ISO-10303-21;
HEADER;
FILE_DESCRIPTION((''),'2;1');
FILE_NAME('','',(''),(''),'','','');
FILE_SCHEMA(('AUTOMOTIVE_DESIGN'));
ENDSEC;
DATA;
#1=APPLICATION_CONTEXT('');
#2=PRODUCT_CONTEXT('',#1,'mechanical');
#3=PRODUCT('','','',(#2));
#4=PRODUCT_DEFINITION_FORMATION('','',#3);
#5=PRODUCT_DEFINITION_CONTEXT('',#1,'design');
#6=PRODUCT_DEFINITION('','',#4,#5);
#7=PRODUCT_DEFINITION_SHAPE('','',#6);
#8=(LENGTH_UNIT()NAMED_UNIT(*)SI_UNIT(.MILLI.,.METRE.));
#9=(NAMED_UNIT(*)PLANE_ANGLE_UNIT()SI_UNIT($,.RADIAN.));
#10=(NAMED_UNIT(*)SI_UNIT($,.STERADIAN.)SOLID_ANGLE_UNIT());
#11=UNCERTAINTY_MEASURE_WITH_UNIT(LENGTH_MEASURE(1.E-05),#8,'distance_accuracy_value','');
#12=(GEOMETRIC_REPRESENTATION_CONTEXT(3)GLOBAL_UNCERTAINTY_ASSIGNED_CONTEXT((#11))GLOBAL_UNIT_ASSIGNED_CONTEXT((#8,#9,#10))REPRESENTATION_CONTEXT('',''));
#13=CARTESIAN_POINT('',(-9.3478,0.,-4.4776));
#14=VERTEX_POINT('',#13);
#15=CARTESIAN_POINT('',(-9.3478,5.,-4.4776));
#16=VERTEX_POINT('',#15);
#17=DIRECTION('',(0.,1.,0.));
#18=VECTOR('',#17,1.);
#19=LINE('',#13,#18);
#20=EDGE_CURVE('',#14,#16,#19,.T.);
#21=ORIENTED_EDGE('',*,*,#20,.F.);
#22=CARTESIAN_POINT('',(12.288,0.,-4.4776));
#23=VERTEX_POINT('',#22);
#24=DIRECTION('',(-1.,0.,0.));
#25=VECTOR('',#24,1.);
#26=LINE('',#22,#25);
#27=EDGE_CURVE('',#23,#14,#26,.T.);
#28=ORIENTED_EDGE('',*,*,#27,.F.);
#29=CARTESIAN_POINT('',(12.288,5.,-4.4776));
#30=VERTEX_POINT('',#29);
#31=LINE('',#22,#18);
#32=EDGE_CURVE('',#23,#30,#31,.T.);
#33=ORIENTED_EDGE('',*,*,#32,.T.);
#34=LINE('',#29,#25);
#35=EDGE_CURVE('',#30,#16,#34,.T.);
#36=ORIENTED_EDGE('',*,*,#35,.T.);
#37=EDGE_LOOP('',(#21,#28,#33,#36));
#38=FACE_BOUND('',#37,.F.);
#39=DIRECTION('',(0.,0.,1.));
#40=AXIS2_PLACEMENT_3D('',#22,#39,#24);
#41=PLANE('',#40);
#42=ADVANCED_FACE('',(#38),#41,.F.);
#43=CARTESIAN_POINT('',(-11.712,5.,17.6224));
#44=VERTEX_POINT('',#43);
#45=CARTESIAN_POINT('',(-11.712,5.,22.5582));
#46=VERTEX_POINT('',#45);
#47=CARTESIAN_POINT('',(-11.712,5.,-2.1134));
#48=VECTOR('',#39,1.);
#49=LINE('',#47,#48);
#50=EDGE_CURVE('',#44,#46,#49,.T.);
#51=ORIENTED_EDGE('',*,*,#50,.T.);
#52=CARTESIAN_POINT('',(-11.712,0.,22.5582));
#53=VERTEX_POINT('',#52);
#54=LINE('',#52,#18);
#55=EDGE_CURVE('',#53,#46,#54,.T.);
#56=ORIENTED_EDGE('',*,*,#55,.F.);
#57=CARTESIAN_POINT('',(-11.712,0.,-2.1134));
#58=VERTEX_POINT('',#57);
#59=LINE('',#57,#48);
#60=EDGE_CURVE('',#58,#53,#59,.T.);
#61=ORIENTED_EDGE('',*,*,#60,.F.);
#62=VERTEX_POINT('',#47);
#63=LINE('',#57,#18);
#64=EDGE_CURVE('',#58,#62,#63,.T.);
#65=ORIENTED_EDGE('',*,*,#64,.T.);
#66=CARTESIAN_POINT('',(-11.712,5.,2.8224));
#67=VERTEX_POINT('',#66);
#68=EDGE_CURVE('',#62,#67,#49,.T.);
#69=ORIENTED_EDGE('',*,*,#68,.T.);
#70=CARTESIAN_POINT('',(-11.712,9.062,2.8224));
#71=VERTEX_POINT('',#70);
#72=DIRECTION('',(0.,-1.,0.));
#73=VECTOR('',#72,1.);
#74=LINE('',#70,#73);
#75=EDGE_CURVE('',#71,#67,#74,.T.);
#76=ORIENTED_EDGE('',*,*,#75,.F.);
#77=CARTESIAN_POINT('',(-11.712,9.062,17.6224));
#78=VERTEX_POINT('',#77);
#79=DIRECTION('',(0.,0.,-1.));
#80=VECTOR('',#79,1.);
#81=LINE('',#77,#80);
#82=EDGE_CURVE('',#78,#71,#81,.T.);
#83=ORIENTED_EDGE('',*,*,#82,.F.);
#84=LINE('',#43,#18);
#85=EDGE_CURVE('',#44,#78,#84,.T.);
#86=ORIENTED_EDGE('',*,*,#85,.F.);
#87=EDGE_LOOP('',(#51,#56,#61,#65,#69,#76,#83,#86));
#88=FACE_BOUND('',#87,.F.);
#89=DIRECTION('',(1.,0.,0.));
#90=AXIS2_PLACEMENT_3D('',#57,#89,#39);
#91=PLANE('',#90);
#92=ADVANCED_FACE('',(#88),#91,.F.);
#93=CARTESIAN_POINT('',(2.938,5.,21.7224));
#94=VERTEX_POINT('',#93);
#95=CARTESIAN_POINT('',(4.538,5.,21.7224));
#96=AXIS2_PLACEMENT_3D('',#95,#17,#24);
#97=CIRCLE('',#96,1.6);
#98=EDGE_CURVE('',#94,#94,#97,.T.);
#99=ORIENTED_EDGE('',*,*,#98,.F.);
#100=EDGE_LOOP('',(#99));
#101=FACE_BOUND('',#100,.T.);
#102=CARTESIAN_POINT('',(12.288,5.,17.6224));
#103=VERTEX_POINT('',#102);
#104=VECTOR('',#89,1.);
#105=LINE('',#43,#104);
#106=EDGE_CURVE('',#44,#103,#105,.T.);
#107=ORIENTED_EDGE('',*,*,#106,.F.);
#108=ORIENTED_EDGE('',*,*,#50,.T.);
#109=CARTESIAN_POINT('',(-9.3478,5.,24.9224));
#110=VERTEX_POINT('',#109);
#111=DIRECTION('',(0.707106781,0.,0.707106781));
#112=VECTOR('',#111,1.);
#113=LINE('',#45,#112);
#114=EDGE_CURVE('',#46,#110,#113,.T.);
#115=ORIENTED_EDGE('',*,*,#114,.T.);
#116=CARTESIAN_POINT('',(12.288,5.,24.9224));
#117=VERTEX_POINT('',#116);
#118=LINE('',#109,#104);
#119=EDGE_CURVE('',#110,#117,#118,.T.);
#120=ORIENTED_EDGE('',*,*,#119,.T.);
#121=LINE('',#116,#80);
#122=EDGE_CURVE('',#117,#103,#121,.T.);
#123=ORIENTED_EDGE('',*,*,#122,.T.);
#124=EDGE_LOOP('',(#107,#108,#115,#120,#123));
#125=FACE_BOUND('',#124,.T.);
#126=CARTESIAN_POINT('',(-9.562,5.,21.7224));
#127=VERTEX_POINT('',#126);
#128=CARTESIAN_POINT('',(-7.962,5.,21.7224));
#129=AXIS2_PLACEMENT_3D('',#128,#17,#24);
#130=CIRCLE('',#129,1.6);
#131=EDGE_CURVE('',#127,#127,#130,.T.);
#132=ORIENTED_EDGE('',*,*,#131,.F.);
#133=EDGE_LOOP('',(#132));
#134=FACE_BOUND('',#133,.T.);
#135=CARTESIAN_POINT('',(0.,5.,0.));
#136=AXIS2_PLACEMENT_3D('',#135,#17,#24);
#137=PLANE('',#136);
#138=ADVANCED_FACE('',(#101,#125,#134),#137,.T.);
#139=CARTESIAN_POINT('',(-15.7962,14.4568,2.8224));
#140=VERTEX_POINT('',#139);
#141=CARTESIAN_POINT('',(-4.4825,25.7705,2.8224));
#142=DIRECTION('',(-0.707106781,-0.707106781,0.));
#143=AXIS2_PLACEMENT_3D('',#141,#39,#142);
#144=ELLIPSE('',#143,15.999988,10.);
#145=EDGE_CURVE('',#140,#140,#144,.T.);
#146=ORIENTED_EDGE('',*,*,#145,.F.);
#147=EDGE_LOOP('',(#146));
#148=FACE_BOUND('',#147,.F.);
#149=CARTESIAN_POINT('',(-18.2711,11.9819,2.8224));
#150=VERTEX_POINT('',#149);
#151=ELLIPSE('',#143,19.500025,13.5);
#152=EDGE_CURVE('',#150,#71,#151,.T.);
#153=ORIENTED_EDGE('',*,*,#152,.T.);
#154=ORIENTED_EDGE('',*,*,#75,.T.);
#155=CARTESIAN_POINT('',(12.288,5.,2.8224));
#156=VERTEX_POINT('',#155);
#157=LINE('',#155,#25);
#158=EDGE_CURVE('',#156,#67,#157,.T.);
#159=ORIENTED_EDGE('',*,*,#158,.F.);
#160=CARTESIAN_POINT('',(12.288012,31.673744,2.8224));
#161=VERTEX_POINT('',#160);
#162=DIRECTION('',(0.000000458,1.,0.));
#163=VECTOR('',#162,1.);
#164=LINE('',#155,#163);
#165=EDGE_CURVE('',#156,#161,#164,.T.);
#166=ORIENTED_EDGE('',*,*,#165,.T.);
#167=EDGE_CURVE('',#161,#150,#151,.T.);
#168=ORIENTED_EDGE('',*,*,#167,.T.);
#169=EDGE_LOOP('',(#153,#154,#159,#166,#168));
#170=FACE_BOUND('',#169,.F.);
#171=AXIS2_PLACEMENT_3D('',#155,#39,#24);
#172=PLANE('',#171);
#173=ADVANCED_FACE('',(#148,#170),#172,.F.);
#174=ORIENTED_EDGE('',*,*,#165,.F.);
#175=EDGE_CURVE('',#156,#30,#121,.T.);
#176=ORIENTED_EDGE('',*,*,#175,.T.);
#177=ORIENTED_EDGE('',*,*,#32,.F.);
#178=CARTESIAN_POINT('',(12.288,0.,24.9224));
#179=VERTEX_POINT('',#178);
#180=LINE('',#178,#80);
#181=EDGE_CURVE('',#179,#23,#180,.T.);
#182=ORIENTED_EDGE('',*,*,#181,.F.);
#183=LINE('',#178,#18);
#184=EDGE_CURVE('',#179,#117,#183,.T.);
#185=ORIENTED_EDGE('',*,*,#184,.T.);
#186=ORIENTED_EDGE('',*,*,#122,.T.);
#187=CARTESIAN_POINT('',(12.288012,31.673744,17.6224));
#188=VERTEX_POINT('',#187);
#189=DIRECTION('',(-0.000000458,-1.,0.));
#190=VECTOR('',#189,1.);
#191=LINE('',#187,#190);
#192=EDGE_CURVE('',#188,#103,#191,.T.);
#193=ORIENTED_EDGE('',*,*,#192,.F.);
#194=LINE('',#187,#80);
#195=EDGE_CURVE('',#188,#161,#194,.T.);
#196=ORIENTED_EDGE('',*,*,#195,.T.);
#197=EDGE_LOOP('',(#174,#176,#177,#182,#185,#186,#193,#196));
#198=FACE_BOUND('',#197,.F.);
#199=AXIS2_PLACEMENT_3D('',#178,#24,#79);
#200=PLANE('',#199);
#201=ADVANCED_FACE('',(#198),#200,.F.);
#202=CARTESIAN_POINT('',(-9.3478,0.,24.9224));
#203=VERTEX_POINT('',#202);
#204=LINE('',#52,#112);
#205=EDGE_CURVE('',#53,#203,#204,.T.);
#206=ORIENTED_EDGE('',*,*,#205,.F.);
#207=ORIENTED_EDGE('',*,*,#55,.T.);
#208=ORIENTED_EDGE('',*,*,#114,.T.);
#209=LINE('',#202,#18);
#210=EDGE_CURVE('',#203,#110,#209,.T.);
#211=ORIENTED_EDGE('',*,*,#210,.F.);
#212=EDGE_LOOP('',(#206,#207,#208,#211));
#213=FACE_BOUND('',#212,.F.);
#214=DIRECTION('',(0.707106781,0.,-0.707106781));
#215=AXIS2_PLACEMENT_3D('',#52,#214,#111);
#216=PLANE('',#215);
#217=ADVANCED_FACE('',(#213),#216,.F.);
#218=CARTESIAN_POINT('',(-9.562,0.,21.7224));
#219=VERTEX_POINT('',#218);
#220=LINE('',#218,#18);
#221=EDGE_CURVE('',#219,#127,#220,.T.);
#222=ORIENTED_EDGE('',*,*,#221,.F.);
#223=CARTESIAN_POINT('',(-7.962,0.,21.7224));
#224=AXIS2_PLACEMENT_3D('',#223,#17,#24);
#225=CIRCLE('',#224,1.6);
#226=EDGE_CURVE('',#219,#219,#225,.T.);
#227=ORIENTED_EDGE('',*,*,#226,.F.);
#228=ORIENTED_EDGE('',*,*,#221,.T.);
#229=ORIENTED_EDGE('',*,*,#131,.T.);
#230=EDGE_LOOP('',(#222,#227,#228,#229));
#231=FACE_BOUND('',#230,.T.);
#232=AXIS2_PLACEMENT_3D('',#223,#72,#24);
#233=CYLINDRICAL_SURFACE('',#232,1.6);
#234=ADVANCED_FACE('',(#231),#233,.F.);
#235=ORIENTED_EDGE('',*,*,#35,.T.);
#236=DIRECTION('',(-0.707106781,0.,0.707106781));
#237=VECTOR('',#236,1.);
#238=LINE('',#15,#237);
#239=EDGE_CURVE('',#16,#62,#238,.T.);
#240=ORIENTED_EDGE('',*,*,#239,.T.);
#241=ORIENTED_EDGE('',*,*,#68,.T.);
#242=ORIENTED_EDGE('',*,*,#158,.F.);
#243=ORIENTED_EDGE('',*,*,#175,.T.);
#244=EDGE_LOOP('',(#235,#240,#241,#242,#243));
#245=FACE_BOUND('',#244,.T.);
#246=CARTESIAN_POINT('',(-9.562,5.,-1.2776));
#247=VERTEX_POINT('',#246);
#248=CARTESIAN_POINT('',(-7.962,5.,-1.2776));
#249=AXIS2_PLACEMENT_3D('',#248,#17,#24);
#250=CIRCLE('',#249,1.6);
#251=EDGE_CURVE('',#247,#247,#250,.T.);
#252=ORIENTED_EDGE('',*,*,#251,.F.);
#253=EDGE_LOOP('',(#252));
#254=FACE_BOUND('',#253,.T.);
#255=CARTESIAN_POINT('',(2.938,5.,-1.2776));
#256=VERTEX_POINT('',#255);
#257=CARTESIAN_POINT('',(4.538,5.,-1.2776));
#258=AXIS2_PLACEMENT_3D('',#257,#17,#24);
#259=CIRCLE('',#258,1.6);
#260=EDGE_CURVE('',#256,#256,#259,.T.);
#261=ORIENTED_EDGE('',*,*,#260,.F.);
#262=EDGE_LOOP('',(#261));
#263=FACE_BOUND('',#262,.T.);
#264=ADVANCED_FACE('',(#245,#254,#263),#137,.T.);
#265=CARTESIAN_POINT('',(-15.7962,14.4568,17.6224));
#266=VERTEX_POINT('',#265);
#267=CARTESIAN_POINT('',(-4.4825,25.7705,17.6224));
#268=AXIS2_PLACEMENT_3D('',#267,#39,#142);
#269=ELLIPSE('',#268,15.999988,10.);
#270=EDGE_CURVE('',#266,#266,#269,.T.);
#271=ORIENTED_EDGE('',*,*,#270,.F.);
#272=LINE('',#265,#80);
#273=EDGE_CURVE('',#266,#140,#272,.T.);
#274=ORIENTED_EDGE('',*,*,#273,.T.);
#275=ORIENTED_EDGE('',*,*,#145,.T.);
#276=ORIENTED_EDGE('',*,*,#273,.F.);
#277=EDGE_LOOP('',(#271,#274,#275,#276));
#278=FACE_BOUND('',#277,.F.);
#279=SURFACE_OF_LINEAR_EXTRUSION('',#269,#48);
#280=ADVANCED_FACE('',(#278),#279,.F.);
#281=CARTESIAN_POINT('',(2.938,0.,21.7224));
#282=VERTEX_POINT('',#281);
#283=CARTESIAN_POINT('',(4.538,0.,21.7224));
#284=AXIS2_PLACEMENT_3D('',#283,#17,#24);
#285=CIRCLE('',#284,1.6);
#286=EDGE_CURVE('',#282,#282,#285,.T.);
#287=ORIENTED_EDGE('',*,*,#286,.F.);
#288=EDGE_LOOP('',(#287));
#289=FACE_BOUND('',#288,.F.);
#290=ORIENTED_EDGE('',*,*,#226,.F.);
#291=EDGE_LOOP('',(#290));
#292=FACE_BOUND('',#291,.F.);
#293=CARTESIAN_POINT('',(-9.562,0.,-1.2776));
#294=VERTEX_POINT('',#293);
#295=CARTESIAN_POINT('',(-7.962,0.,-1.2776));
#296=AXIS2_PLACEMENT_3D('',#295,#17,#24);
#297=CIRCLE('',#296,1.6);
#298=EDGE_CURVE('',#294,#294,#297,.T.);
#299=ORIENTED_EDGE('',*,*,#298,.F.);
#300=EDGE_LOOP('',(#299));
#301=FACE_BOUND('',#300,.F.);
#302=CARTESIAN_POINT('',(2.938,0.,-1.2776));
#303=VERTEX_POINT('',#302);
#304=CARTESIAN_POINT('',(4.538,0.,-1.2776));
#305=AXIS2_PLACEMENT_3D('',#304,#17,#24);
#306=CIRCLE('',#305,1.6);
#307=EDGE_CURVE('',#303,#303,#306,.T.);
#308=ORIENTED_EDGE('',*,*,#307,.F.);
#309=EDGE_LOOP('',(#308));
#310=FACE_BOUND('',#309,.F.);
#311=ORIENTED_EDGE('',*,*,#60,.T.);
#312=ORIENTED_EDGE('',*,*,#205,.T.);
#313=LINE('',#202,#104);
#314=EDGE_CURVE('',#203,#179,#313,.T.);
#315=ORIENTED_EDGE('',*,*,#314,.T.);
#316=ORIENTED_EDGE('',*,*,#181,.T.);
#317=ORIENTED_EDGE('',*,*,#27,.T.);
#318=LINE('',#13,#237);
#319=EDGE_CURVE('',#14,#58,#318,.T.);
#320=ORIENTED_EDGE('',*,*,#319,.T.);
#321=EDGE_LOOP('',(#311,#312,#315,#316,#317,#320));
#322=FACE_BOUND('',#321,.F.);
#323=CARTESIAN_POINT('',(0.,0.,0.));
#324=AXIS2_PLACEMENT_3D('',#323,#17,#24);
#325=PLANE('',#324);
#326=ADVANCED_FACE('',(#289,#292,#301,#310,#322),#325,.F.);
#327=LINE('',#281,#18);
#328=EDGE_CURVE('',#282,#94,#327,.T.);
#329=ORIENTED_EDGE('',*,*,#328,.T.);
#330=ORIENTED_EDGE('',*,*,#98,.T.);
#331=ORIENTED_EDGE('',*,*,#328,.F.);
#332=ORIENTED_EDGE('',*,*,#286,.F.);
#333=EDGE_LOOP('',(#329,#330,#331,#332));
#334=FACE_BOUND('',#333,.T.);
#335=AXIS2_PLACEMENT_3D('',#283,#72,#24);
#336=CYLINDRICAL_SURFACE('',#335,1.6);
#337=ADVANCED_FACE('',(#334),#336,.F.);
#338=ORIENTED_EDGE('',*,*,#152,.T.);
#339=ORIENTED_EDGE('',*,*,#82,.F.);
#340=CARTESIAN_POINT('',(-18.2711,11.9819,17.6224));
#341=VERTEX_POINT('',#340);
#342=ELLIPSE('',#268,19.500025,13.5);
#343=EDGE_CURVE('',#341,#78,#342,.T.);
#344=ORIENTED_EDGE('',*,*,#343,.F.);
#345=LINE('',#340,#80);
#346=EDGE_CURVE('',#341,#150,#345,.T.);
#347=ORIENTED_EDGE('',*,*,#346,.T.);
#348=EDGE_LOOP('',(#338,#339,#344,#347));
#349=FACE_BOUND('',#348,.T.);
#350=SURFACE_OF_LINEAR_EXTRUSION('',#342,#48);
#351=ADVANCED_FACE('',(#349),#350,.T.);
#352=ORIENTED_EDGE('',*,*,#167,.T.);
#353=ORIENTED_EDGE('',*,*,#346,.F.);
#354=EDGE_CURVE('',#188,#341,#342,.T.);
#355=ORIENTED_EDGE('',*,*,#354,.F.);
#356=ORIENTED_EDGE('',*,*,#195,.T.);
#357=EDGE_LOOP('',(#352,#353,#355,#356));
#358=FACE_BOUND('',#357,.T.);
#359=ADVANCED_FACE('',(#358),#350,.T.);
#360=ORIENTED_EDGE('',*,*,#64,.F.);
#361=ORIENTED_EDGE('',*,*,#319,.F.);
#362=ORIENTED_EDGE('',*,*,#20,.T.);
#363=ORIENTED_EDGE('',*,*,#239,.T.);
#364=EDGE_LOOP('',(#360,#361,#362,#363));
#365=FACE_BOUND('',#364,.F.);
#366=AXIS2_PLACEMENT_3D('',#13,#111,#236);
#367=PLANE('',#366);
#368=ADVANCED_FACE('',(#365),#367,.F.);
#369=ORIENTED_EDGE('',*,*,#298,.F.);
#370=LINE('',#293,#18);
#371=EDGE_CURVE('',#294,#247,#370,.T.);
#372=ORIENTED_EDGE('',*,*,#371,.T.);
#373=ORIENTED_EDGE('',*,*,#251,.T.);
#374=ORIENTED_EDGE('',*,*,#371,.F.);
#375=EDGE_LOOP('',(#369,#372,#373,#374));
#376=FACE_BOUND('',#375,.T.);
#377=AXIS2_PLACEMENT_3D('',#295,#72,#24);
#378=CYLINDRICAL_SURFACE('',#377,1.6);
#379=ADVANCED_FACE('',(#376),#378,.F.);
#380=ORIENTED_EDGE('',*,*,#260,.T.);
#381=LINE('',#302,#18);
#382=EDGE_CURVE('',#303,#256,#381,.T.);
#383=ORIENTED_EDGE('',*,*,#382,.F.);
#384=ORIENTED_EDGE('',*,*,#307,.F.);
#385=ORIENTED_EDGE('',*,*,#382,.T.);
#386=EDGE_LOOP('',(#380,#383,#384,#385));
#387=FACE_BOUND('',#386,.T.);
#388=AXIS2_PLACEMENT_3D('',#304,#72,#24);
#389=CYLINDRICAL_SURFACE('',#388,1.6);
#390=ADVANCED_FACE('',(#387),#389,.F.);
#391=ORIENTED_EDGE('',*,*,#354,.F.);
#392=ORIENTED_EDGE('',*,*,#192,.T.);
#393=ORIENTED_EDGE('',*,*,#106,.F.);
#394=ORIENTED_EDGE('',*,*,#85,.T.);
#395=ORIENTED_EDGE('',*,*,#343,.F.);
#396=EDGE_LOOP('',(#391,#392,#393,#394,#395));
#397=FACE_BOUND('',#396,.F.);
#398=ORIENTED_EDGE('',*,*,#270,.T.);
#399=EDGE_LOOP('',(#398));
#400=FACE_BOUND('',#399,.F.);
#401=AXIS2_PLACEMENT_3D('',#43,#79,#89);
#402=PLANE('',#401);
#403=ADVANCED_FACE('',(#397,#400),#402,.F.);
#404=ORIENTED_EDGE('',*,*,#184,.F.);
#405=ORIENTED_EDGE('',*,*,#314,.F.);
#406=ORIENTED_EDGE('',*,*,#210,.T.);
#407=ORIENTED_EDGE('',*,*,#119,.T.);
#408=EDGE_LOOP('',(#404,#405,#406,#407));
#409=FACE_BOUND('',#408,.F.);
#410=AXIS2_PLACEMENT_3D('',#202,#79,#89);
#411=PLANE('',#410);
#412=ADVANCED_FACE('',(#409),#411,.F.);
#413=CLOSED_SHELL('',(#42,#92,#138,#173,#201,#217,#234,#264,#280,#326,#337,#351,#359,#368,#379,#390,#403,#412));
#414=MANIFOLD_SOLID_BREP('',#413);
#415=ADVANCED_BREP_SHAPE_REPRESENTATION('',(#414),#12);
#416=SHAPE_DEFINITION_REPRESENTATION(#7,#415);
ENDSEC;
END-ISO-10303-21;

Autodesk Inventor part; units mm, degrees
ref_plane "YZ Plane" through (0, 0, 0) normal (1, 0, 0) x (0, 1, 0)
ref_plane "XZ Plane" through (0, 0, 0) normal (0, 1, 0) x (-1, 0, 0)
ref_plane "XY Plane" through (0, 0, 0) normal (0, 0, 1) x (1, 0, 0)
sketch "Sketch1" plane through (0, 0, 0) normal (0, 1, 0) x (-1, 0, 0)
  circle A0 centre (7.962, -1.2776) radius 1.6
  circle A1 centre (-4.538, -1.2776) radius 1.6
  circle A2 centre (-4.538, 21.7224) radius 1.6
  circle A3 centre (7.962, 21.7224) radius 1.6
  line L0 (11.712, -2.1134) -> (11.712, 22.5582)
  line L1 (9.3478, -4.4776) -> (11.712, -2.1134)
  line L2 (-12.288, -4.4776) -> (9.3478, -4.4776)
  line L3 (-12.288, 24.9224) -> (-12.288, -4.4776)
  line L4 (9.3478, 24.9224) -> (-12.288, 24.9224)
  line L5 (11.712, 22.5582) -> (9.3478, 24.9224)
  point P0 (0, 0)
  dimension "d0" = 3.75
  dimension "d1" = 3.2
  dimension "d2" = 3.2
  dimension "d3" = 7.75
  dimension "d4" = 7.75
  dimension "d5" = 3.2
  dimension "d6" = 3.2
  dimension "d7" = 3.75
  dimension "d8" = 3.2
  dimension "d9" = 3.2
  dimension "d10" = 3.2
  dimension "d11" = 3.2
extrude "Extrusion1" add sketch "Sketch1" along normal blind 5
sketch "Sketch2" plane through (0, 5, 0) normal (0, 1, 0) x (1, 0, 0)
  line L0 (12.288, -24.9224) -> (12.288, 4.4776) projected
  line L1 (-11.712, -17.6224) -> (12.288, -17.6224)
  line L2 (12.288, -17.6224) -> (12.288, -2.8224)
  line L3 (12.288, -2.8224) -> (-11.712, -2.8224)
  line L4 (-11.712, -2.8224) -> (-11.712, -17.6224)
  circle A0 centre (-7.962, -21.7224) radius 1.6 projected
  circle A1 centre (-7.962, 1.2776) radius 1.6 projected
  line L5 (-11.712, 2.1134) -> (-11.712, -22.5582) projected
  point P0 (0, 0)
  point P1 (-11.712, -10.2224)
  dimension "d14" = 2.5
  dimension "d15" = 2.5
  dimension "d16" = 0
extrude "Extrusion2" add sketch "Sketch2" along normal blind 4 contours L1 L4 L3 L0
sketch "Sketch3" plane through (-11.712, 5, 17.6224) normal (0, 0, 1) x (1, 0, 0)
  ellipse E0 centre (7.2295, 20.7705) end of major axis (-4.0842, 9.4568) minor radius 10
  ellipse E1 centre (7.2295, 20.7705) end of major axis (-6.5591, 6.9819) minor radius 13.5
  line L0 (24, 4) -> (24, 26.9875)
  line L1 (24, 4) -> (46.9875, 4) construction
  line L2 (0, 4) -> (24, 4)
  line L3 (0, 4) -> (0, 4.062)
  point P0 (11.712, -5)
  point P1 (-6.5591, 6.9819)
  point P2 (-8.703, 20.0622)
  point P3 (1.3263, 4)
  point P4 (24, 26.6737)
  dimension "d19" = 10
  dimension "d20" = 16
  dimension "d21" = 13.5
  dimension "d22" = 19.5
  dimension "d26" = 90
extrude "Extrusion3" add sketch "Sketch3" against normal blind 14.8
properties part number "finger_hole_thumb"
